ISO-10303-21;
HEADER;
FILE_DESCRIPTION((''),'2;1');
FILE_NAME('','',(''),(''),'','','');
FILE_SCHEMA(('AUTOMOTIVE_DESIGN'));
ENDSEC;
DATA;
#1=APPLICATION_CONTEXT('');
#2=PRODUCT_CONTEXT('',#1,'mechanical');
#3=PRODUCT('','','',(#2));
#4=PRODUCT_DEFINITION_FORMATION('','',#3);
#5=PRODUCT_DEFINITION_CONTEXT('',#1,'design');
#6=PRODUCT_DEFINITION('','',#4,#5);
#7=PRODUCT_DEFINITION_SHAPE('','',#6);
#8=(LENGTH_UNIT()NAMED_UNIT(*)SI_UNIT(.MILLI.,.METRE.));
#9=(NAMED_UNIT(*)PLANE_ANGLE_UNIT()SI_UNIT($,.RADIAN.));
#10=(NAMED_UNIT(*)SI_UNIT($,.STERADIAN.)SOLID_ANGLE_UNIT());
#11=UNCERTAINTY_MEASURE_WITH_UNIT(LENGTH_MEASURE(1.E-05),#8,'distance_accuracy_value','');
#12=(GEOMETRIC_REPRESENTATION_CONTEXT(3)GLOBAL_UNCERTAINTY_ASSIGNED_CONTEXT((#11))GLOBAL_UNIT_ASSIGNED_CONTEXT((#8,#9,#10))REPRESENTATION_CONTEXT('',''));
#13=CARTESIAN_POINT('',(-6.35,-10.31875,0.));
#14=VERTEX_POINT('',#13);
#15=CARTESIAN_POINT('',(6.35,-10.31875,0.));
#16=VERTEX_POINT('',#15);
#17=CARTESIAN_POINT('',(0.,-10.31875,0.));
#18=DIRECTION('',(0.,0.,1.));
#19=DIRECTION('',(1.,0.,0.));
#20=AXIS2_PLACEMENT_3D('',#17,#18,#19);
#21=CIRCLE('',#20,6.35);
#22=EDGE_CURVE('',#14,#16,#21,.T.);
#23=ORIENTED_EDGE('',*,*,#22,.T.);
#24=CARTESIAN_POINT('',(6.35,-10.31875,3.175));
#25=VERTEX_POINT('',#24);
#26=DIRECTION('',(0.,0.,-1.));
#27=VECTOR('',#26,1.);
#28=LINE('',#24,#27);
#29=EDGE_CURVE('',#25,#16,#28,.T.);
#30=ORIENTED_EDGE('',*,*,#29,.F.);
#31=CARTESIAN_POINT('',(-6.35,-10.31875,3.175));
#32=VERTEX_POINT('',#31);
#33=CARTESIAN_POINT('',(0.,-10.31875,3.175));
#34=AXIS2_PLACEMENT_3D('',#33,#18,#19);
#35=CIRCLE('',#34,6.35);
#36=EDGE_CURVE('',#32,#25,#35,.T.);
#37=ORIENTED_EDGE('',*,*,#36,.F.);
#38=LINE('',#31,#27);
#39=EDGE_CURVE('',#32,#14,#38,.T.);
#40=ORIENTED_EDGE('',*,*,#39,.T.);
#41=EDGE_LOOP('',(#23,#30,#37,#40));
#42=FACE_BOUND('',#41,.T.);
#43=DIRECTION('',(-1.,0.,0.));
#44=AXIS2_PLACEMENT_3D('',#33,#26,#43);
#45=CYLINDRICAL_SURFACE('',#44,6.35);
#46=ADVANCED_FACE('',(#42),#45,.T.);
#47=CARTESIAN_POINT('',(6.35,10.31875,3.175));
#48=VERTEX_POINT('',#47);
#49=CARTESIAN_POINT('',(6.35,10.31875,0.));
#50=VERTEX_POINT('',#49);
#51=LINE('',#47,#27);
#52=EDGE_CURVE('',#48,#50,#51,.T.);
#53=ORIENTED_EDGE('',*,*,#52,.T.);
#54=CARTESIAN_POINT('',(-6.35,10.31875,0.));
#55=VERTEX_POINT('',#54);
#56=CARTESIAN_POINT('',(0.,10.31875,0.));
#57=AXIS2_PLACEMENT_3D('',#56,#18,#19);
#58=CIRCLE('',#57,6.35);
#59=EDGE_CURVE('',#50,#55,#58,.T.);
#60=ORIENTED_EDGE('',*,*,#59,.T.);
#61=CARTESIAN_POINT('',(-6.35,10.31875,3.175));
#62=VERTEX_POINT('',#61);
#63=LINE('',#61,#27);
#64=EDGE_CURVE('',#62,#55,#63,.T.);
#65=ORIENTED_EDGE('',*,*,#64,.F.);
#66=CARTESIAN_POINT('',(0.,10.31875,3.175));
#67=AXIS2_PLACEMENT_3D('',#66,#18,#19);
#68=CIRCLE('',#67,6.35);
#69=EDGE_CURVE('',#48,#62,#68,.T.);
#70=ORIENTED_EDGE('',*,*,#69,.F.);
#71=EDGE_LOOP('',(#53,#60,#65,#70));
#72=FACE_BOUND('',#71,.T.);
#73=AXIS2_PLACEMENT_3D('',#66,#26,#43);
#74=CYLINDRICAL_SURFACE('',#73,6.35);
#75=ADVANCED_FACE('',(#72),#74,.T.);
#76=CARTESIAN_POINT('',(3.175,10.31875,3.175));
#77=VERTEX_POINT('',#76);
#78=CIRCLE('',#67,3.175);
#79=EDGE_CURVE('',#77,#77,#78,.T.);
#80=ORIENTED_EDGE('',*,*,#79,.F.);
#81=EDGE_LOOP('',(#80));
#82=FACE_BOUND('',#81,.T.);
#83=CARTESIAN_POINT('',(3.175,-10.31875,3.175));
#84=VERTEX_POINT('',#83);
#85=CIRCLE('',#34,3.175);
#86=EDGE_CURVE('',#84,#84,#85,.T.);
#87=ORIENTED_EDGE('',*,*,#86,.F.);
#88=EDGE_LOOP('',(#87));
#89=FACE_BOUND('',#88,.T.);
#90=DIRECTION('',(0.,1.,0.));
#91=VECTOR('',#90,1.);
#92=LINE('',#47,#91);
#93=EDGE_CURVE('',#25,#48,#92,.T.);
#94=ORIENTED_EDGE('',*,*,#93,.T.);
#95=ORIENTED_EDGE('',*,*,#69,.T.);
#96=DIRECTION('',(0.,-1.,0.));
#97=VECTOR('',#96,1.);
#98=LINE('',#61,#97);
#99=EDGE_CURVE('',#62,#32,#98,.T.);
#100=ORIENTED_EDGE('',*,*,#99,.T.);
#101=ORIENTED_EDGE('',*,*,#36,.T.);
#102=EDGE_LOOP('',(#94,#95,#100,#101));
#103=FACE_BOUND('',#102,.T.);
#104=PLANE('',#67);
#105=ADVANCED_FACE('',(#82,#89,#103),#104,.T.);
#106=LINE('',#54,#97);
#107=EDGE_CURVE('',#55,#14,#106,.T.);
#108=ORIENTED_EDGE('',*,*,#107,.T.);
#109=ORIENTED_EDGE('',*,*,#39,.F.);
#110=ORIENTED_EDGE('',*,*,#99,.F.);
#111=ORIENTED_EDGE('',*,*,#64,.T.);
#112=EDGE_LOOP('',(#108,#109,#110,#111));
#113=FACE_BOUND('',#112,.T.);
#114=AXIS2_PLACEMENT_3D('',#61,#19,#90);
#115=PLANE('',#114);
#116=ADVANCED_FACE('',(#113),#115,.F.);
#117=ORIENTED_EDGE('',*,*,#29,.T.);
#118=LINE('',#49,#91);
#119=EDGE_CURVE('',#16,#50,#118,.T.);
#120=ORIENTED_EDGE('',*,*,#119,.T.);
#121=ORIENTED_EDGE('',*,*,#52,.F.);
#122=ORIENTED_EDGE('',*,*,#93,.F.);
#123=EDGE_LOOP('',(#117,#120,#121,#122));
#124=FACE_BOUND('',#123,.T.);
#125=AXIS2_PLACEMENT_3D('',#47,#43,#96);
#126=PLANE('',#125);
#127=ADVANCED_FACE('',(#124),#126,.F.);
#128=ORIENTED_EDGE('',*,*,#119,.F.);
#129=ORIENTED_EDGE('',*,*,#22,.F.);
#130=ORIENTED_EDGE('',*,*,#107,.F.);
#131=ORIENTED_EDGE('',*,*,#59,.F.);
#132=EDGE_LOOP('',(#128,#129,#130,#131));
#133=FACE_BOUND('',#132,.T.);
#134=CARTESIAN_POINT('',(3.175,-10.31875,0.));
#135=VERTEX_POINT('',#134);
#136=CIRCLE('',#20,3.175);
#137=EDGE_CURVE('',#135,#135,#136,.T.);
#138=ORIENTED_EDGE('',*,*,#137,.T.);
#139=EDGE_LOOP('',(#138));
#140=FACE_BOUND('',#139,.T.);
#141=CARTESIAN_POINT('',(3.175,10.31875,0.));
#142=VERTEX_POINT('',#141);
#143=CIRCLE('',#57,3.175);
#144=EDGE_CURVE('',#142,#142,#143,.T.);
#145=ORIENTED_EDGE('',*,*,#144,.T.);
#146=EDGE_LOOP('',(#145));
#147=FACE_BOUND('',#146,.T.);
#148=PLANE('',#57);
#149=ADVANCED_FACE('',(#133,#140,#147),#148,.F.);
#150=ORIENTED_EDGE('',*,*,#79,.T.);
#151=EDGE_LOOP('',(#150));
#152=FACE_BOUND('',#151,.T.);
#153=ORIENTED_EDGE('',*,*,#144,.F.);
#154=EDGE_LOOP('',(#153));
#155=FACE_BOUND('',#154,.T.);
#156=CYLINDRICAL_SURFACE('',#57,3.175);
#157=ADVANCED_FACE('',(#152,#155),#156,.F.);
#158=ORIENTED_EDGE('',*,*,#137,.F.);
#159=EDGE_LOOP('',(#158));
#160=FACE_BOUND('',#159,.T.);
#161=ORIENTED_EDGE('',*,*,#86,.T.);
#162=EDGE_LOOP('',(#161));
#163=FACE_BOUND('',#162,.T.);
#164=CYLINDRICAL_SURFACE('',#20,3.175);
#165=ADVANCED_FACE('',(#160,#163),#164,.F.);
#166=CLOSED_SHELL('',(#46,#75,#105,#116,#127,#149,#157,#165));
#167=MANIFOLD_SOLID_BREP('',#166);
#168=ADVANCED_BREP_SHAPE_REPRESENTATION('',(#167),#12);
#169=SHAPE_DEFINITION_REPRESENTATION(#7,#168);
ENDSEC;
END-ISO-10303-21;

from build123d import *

# Parameters (mm, degrees)
BOSS_EXTRUDE1_DEPTH = 3.175
SKETCH2_R           = 3.175
CUT_EXTRUDE1_DEPTH  = 3.175


with BuildPart() as part:
    # Sketch1 → Boss-Extrude1 (new body)
    with BuildSketch(Plane.XY):
        with BuildLine():
            Line((6.35, 10.31875), (6.35, -10.31875))
            ThreePointArc((6.35, -10.31875), (0, -16.66875), (-6.35, -10.31875))
            Line((-6.35, -10.31875), (-6.35, 10.31875))
            ThreePointArc((-6.35, 10.31875), (0, 16.66875), (6.35, 10.31875))
        make_face()
    extrude(amount=BOSS_EXTRUDE1_DEPTH)

    # Sketch2 → Cut-Extrude1 (cut)
    with BuildSketch(Plane.XY.offset(3.175)):
        with Locations((0, 10.31875)):
            Circle(SKETCH2_R)
        with Locations((0, -10.31875)):
            Circle(SKETCH2_R)
    extrude(amount=-CUT_EXTRUDE1_DEPTH, mode=Mode.SUBTRACT)


solid = part.part
